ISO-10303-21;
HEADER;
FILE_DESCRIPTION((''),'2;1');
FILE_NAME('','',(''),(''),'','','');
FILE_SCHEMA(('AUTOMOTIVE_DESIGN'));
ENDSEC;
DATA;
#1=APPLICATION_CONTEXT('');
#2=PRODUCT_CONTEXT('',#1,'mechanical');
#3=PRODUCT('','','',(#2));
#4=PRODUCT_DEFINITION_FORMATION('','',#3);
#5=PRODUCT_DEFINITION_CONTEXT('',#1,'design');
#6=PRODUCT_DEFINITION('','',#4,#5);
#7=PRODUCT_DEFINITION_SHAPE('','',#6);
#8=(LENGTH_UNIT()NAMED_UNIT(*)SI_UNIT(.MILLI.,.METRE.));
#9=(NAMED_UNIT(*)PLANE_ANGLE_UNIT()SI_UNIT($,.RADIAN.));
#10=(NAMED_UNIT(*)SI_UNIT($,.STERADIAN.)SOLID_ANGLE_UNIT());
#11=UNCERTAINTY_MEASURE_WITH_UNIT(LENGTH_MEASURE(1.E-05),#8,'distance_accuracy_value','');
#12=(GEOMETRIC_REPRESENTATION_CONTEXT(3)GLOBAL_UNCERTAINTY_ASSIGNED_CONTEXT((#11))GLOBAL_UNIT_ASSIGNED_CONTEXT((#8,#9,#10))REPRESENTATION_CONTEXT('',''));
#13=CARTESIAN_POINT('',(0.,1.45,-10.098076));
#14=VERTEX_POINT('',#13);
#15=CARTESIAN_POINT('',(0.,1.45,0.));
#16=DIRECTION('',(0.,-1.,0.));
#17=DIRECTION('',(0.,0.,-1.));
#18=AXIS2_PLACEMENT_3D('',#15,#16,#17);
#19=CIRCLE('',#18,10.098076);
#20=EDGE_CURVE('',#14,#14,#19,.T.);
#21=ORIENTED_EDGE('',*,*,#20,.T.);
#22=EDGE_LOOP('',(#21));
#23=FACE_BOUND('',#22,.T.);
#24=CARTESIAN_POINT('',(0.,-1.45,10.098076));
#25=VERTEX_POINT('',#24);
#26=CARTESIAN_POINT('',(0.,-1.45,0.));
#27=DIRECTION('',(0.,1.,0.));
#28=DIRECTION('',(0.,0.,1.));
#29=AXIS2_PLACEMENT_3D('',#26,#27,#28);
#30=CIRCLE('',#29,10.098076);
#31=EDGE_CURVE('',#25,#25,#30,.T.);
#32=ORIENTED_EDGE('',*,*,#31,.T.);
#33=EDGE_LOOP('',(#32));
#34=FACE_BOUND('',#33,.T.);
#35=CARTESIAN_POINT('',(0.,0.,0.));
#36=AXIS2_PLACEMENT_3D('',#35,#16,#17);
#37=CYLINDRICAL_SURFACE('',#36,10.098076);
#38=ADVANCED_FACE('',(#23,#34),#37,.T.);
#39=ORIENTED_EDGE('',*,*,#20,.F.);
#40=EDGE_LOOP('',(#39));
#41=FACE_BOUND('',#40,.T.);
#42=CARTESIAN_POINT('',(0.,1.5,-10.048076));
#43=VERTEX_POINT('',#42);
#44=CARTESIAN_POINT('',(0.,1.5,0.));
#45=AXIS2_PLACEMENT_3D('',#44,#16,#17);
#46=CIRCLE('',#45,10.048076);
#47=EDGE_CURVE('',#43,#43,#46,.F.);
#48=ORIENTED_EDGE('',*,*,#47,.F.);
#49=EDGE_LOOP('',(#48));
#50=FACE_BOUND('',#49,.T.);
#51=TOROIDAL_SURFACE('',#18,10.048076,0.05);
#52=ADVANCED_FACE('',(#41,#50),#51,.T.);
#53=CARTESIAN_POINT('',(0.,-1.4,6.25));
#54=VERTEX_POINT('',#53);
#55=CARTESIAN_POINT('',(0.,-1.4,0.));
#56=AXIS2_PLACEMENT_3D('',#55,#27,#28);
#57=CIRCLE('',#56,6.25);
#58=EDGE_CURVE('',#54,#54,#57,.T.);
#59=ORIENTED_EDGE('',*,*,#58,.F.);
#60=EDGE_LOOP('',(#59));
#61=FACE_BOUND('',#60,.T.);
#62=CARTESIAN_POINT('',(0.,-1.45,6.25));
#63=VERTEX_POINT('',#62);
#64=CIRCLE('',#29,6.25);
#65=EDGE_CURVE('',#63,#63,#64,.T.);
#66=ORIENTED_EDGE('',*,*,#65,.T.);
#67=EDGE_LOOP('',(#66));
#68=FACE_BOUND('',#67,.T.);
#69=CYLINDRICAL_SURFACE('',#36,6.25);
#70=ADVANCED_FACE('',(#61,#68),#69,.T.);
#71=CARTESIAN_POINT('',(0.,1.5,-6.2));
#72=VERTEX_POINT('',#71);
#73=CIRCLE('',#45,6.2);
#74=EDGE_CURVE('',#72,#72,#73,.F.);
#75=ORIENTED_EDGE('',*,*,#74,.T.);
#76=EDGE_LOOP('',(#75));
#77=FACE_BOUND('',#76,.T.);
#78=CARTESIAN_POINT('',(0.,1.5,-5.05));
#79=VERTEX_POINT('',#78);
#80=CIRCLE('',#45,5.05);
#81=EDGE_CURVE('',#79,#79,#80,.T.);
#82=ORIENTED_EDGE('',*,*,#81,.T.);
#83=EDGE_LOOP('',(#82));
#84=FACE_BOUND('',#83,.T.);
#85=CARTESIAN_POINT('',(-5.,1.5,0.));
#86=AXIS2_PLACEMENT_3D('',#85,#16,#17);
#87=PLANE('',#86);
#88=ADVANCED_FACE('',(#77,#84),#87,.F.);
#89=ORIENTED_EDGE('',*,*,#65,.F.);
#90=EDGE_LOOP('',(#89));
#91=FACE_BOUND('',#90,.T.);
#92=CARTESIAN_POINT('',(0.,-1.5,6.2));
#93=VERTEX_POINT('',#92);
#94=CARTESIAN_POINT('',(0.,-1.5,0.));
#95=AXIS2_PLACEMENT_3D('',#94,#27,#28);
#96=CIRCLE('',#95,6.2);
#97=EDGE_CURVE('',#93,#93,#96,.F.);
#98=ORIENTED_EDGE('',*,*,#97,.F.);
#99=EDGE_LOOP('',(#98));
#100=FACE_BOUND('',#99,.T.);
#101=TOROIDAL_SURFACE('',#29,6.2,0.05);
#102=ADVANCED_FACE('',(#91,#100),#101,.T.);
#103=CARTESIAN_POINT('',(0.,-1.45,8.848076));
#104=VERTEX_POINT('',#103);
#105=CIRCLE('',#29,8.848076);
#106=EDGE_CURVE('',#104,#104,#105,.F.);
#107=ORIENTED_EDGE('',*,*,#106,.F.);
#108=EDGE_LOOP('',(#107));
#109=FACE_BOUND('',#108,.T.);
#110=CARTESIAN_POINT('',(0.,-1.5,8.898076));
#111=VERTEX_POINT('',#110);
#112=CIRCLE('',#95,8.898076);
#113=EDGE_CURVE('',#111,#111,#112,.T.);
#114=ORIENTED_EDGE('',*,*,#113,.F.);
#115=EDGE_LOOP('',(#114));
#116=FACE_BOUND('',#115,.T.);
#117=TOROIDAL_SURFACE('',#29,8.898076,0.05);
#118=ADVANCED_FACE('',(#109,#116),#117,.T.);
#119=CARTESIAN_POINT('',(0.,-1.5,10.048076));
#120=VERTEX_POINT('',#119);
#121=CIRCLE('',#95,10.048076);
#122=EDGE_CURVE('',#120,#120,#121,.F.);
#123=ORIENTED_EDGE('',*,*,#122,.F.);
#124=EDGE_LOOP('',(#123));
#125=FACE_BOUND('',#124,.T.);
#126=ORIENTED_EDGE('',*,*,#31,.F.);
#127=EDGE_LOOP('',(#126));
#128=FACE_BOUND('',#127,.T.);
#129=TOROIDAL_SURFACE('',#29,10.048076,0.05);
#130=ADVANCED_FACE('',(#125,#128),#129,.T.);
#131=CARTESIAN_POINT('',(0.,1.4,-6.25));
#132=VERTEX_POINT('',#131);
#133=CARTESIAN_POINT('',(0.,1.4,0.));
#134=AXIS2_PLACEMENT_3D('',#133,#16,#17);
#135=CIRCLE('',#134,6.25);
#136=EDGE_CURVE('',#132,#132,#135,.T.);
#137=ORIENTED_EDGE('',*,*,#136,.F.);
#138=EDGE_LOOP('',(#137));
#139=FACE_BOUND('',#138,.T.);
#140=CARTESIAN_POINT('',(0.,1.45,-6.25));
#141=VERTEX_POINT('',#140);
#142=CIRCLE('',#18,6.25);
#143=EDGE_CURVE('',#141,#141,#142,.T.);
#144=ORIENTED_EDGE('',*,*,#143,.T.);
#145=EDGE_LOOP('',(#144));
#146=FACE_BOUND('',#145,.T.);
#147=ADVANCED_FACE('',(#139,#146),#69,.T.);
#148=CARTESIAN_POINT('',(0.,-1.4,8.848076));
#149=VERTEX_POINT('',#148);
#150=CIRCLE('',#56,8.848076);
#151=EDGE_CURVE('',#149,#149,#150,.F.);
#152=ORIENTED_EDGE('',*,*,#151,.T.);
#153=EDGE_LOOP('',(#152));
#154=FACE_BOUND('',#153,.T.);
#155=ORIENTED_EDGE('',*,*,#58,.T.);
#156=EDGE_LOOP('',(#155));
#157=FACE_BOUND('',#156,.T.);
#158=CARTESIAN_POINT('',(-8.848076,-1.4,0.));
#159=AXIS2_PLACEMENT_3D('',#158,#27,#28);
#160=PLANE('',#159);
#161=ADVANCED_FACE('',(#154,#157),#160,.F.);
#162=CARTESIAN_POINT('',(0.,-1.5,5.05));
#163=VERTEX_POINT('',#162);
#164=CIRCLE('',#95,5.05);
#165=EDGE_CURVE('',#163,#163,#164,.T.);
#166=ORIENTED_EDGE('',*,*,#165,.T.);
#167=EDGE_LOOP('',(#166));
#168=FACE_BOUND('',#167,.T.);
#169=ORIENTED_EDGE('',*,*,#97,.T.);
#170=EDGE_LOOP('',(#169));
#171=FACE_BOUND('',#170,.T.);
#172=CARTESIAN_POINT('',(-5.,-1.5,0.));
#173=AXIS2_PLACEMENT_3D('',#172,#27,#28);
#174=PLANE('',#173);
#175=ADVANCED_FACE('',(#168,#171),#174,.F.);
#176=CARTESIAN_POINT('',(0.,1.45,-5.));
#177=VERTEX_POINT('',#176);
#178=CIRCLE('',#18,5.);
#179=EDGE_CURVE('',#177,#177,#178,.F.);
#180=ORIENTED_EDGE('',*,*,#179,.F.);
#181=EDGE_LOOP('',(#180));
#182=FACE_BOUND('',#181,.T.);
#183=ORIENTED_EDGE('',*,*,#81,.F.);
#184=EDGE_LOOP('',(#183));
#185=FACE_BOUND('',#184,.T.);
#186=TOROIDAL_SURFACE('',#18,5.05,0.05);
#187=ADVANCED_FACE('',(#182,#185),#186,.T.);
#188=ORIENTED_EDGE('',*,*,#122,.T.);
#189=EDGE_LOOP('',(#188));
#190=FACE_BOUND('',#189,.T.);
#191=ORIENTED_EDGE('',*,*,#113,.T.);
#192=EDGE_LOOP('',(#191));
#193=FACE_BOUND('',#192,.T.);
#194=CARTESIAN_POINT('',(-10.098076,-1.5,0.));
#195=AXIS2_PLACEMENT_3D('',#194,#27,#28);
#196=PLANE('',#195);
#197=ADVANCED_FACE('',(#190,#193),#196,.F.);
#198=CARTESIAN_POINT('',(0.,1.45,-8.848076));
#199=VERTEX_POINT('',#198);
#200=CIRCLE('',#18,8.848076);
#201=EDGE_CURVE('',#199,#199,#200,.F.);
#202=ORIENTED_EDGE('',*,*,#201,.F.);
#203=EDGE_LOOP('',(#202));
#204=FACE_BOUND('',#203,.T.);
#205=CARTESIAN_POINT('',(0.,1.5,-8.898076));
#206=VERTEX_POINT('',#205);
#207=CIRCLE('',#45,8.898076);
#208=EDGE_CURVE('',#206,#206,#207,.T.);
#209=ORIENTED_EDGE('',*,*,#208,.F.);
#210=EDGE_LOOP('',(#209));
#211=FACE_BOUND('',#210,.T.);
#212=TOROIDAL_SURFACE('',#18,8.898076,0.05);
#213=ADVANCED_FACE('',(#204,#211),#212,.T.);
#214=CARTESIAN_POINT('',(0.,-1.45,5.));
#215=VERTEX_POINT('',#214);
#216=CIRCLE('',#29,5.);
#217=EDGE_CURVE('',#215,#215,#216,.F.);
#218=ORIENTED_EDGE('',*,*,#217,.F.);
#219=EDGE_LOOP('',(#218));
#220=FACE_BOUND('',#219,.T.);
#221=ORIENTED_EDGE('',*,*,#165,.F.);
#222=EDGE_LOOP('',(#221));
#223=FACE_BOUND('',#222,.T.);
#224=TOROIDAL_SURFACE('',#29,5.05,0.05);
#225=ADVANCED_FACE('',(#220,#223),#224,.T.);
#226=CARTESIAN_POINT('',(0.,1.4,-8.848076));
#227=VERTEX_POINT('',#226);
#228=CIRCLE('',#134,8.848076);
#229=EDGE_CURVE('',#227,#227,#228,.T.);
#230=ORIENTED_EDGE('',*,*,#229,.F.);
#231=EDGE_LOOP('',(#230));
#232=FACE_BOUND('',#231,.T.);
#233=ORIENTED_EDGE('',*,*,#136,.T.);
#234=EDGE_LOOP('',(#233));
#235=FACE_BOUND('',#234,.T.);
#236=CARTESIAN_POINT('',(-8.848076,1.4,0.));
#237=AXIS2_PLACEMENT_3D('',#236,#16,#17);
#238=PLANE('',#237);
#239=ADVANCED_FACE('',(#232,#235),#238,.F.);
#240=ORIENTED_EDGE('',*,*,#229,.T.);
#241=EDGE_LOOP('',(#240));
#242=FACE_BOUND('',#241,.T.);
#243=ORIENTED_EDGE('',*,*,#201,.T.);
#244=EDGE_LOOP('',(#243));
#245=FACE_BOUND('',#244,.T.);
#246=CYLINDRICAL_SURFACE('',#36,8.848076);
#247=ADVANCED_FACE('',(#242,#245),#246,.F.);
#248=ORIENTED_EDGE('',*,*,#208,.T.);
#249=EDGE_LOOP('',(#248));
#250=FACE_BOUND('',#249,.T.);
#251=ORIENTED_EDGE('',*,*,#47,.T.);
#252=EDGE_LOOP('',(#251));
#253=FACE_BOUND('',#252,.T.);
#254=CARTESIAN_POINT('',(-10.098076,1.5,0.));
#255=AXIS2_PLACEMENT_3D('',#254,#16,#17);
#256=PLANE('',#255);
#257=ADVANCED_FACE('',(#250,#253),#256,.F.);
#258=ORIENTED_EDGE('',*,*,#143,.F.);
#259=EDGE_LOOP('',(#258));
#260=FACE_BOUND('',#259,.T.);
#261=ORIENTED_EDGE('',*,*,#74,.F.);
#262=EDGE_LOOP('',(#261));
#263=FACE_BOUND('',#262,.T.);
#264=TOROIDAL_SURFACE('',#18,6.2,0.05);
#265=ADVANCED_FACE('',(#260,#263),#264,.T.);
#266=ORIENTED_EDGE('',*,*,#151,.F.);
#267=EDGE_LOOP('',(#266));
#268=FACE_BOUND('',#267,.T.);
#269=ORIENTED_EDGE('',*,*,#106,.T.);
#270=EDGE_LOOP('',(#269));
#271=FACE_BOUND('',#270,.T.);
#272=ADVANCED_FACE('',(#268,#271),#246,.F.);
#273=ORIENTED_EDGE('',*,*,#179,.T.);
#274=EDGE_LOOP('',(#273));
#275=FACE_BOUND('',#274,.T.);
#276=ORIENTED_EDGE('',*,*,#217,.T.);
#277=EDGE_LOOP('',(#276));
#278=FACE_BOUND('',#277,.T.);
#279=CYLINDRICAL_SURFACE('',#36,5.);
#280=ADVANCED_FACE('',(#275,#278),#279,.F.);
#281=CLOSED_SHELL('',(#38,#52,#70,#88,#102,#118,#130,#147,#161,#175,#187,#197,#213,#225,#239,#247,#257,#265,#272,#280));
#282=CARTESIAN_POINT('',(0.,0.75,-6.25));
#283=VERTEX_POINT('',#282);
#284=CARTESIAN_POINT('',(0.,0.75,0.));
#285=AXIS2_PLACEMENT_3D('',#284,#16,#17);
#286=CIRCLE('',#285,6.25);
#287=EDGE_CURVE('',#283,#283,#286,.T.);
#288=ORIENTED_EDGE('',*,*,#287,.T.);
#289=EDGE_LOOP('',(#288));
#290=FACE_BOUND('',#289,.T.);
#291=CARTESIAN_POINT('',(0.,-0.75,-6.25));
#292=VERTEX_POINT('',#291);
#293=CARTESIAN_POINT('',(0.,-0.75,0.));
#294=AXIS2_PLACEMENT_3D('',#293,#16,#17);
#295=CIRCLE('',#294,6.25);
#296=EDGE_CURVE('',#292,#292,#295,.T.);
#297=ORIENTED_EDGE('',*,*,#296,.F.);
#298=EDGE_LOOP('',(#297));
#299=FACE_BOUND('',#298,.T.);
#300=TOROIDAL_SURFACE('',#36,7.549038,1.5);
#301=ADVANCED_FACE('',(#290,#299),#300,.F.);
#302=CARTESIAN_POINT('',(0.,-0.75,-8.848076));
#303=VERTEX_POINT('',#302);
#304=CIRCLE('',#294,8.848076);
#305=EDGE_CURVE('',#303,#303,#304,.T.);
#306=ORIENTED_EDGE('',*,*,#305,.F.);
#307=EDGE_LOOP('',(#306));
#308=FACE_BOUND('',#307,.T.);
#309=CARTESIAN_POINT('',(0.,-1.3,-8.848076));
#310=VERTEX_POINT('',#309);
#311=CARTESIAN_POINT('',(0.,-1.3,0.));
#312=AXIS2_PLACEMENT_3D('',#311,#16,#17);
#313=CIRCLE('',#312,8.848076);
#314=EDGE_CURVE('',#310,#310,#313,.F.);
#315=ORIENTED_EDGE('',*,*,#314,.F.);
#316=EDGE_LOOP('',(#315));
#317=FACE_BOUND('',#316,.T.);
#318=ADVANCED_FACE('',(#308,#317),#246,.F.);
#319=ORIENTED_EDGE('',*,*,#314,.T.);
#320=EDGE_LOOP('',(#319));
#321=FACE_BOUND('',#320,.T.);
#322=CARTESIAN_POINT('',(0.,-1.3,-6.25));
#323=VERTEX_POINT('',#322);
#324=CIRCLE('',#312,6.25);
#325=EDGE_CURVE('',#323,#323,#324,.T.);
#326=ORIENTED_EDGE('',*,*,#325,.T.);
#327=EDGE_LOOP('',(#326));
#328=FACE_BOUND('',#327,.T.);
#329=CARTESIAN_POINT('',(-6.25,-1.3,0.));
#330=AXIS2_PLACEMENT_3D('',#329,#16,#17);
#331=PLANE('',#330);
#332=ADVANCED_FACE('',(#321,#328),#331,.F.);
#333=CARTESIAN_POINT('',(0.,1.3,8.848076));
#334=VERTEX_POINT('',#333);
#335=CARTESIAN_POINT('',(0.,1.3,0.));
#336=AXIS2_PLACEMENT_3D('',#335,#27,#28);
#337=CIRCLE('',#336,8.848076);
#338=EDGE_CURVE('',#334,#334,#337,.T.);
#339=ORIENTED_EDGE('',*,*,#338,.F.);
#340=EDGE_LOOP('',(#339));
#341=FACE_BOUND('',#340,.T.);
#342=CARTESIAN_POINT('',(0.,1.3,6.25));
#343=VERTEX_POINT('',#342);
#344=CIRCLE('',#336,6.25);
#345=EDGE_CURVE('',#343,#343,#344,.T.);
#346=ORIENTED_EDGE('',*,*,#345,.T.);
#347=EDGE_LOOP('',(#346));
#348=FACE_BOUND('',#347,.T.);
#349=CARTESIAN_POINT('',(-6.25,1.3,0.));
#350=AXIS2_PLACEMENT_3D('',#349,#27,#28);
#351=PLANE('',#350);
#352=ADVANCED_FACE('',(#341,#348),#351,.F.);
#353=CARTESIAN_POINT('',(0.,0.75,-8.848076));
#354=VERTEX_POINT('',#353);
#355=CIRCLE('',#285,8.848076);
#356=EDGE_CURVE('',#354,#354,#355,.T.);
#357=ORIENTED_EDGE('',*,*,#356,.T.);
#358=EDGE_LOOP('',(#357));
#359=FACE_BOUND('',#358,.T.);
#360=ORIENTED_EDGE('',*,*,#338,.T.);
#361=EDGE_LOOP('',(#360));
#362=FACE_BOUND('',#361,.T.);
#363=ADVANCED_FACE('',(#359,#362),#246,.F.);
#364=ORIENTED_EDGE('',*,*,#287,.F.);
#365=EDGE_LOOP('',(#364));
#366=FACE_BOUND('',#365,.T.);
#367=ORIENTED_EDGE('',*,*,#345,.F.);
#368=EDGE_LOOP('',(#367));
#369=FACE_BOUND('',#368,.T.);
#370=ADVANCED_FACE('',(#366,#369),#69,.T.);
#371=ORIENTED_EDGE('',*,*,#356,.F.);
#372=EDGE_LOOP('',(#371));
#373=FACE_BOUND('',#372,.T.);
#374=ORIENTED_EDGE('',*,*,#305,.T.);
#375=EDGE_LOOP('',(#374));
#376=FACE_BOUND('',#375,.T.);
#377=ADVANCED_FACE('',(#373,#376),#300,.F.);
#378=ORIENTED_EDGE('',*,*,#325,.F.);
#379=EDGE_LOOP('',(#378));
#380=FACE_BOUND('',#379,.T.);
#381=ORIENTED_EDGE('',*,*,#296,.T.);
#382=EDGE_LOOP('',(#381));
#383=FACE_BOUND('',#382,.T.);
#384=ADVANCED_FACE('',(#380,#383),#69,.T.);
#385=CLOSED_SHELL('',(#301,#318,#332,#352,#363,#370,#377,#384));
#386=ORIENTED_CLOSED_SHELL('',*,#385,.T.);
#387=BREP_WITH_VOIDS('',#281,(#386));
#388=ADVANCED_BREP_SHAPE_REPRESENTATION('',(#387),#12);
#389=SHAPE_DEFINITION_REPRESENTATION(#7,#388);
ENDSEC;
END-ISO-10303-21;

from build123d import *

# Parameters (mm, degrees)
FILLET1_R = 0.05
FILLET2_R = 0.05
SKETCH2_W = 2.598076211
SKETCH2_H = 0.1


with BuildPart() as part:
    # Sketch1 → Revolve1 (revolve)
    with BuildSketch(Plane.XY, mode=Mode.PRIVATE) as revolve1_sk:
        with BuildLine():
            Line((-5, 1.5), (-5, -1.5))
            Line((-5, -1.5), (-6.25, -1.5))
            Line((-6.25, -1.5), (-6.25, -0.75))
            ThreePointArc((-6.25, -0.75), (-6.049038106, 0), (-6.25, 0.75))
            Line((-6.25, 0.75), (-6.25, 1.5))
            Line((-6.25, 1.5), (-5, 1.5))
        make_face()
        with BuildLine():
            Line((-8.848076211, 1.5), (-8.848076211, 0.75))
            ThreePointArc((-8.848076211, 0.75), (-9.049038106, 0), (-8.848076211, -0.75))
            Line((-8.848076211, -0.75), (-8.848076211, -1.5))
            Line((-8.848076211, -1.5), (-10.098076211, -1.5))
            Line((-10.098076211, -1.5), (-10.098076211, 1.5))
            Line((-10.098076211, 1.5), (-8.848076211, 1.5))
        make_face()
    revolve(revolve1_sk.sketch.rotate(Axis((0, 0, 0), (0, 1, 0)), 270), axis=Axis((0, 0, 0), (0, 1, 0)))

    # Fillet1
    fillet1_edges = [part.edges().sort_by_distance(p)[0] for p in [
        (0, 1.5, 8.848076211),
        (0, -1.5, 8.848076211),
        (0, -1.5, 10.098076211),
        (0, 1.5, 10.098076211),
    ]]
    fillet(fillet1_edges, radius=FILLET1_R)

    # Fillet2
    fillet2_edges = [part.edges().sort_by_distance(p)[0] for p in [
        (0, 1.5, 6.25),
        (0, -1.5, 6.25),
        (0, -1.5, 5),
        (0, 1.5, 5),
    ]]
    fillet(fillet2_edges, radius=FILLET2_R)

    # Sketch2 → Revolve2 (revolve)
    with BuildSketch(Plane.XY, mode=Mode.PRIVATE) as revolve2_sk:
        with Locations((-7.549038106, 1.35)):
            Rectangle(SKETCH2_W, SKETCH2_H)
        with Locations((-7.549038106, -1.35)):
            Rectangle(SKETCH2_W, SKETCH2_H)
    revolve(revolve2_sk.sketch.rotate(Axis((0, 0, 0), (0, 1, 0)), 270), axis=Axis((0, 0, 0), (0, 1, 0)))


solid = part.part
